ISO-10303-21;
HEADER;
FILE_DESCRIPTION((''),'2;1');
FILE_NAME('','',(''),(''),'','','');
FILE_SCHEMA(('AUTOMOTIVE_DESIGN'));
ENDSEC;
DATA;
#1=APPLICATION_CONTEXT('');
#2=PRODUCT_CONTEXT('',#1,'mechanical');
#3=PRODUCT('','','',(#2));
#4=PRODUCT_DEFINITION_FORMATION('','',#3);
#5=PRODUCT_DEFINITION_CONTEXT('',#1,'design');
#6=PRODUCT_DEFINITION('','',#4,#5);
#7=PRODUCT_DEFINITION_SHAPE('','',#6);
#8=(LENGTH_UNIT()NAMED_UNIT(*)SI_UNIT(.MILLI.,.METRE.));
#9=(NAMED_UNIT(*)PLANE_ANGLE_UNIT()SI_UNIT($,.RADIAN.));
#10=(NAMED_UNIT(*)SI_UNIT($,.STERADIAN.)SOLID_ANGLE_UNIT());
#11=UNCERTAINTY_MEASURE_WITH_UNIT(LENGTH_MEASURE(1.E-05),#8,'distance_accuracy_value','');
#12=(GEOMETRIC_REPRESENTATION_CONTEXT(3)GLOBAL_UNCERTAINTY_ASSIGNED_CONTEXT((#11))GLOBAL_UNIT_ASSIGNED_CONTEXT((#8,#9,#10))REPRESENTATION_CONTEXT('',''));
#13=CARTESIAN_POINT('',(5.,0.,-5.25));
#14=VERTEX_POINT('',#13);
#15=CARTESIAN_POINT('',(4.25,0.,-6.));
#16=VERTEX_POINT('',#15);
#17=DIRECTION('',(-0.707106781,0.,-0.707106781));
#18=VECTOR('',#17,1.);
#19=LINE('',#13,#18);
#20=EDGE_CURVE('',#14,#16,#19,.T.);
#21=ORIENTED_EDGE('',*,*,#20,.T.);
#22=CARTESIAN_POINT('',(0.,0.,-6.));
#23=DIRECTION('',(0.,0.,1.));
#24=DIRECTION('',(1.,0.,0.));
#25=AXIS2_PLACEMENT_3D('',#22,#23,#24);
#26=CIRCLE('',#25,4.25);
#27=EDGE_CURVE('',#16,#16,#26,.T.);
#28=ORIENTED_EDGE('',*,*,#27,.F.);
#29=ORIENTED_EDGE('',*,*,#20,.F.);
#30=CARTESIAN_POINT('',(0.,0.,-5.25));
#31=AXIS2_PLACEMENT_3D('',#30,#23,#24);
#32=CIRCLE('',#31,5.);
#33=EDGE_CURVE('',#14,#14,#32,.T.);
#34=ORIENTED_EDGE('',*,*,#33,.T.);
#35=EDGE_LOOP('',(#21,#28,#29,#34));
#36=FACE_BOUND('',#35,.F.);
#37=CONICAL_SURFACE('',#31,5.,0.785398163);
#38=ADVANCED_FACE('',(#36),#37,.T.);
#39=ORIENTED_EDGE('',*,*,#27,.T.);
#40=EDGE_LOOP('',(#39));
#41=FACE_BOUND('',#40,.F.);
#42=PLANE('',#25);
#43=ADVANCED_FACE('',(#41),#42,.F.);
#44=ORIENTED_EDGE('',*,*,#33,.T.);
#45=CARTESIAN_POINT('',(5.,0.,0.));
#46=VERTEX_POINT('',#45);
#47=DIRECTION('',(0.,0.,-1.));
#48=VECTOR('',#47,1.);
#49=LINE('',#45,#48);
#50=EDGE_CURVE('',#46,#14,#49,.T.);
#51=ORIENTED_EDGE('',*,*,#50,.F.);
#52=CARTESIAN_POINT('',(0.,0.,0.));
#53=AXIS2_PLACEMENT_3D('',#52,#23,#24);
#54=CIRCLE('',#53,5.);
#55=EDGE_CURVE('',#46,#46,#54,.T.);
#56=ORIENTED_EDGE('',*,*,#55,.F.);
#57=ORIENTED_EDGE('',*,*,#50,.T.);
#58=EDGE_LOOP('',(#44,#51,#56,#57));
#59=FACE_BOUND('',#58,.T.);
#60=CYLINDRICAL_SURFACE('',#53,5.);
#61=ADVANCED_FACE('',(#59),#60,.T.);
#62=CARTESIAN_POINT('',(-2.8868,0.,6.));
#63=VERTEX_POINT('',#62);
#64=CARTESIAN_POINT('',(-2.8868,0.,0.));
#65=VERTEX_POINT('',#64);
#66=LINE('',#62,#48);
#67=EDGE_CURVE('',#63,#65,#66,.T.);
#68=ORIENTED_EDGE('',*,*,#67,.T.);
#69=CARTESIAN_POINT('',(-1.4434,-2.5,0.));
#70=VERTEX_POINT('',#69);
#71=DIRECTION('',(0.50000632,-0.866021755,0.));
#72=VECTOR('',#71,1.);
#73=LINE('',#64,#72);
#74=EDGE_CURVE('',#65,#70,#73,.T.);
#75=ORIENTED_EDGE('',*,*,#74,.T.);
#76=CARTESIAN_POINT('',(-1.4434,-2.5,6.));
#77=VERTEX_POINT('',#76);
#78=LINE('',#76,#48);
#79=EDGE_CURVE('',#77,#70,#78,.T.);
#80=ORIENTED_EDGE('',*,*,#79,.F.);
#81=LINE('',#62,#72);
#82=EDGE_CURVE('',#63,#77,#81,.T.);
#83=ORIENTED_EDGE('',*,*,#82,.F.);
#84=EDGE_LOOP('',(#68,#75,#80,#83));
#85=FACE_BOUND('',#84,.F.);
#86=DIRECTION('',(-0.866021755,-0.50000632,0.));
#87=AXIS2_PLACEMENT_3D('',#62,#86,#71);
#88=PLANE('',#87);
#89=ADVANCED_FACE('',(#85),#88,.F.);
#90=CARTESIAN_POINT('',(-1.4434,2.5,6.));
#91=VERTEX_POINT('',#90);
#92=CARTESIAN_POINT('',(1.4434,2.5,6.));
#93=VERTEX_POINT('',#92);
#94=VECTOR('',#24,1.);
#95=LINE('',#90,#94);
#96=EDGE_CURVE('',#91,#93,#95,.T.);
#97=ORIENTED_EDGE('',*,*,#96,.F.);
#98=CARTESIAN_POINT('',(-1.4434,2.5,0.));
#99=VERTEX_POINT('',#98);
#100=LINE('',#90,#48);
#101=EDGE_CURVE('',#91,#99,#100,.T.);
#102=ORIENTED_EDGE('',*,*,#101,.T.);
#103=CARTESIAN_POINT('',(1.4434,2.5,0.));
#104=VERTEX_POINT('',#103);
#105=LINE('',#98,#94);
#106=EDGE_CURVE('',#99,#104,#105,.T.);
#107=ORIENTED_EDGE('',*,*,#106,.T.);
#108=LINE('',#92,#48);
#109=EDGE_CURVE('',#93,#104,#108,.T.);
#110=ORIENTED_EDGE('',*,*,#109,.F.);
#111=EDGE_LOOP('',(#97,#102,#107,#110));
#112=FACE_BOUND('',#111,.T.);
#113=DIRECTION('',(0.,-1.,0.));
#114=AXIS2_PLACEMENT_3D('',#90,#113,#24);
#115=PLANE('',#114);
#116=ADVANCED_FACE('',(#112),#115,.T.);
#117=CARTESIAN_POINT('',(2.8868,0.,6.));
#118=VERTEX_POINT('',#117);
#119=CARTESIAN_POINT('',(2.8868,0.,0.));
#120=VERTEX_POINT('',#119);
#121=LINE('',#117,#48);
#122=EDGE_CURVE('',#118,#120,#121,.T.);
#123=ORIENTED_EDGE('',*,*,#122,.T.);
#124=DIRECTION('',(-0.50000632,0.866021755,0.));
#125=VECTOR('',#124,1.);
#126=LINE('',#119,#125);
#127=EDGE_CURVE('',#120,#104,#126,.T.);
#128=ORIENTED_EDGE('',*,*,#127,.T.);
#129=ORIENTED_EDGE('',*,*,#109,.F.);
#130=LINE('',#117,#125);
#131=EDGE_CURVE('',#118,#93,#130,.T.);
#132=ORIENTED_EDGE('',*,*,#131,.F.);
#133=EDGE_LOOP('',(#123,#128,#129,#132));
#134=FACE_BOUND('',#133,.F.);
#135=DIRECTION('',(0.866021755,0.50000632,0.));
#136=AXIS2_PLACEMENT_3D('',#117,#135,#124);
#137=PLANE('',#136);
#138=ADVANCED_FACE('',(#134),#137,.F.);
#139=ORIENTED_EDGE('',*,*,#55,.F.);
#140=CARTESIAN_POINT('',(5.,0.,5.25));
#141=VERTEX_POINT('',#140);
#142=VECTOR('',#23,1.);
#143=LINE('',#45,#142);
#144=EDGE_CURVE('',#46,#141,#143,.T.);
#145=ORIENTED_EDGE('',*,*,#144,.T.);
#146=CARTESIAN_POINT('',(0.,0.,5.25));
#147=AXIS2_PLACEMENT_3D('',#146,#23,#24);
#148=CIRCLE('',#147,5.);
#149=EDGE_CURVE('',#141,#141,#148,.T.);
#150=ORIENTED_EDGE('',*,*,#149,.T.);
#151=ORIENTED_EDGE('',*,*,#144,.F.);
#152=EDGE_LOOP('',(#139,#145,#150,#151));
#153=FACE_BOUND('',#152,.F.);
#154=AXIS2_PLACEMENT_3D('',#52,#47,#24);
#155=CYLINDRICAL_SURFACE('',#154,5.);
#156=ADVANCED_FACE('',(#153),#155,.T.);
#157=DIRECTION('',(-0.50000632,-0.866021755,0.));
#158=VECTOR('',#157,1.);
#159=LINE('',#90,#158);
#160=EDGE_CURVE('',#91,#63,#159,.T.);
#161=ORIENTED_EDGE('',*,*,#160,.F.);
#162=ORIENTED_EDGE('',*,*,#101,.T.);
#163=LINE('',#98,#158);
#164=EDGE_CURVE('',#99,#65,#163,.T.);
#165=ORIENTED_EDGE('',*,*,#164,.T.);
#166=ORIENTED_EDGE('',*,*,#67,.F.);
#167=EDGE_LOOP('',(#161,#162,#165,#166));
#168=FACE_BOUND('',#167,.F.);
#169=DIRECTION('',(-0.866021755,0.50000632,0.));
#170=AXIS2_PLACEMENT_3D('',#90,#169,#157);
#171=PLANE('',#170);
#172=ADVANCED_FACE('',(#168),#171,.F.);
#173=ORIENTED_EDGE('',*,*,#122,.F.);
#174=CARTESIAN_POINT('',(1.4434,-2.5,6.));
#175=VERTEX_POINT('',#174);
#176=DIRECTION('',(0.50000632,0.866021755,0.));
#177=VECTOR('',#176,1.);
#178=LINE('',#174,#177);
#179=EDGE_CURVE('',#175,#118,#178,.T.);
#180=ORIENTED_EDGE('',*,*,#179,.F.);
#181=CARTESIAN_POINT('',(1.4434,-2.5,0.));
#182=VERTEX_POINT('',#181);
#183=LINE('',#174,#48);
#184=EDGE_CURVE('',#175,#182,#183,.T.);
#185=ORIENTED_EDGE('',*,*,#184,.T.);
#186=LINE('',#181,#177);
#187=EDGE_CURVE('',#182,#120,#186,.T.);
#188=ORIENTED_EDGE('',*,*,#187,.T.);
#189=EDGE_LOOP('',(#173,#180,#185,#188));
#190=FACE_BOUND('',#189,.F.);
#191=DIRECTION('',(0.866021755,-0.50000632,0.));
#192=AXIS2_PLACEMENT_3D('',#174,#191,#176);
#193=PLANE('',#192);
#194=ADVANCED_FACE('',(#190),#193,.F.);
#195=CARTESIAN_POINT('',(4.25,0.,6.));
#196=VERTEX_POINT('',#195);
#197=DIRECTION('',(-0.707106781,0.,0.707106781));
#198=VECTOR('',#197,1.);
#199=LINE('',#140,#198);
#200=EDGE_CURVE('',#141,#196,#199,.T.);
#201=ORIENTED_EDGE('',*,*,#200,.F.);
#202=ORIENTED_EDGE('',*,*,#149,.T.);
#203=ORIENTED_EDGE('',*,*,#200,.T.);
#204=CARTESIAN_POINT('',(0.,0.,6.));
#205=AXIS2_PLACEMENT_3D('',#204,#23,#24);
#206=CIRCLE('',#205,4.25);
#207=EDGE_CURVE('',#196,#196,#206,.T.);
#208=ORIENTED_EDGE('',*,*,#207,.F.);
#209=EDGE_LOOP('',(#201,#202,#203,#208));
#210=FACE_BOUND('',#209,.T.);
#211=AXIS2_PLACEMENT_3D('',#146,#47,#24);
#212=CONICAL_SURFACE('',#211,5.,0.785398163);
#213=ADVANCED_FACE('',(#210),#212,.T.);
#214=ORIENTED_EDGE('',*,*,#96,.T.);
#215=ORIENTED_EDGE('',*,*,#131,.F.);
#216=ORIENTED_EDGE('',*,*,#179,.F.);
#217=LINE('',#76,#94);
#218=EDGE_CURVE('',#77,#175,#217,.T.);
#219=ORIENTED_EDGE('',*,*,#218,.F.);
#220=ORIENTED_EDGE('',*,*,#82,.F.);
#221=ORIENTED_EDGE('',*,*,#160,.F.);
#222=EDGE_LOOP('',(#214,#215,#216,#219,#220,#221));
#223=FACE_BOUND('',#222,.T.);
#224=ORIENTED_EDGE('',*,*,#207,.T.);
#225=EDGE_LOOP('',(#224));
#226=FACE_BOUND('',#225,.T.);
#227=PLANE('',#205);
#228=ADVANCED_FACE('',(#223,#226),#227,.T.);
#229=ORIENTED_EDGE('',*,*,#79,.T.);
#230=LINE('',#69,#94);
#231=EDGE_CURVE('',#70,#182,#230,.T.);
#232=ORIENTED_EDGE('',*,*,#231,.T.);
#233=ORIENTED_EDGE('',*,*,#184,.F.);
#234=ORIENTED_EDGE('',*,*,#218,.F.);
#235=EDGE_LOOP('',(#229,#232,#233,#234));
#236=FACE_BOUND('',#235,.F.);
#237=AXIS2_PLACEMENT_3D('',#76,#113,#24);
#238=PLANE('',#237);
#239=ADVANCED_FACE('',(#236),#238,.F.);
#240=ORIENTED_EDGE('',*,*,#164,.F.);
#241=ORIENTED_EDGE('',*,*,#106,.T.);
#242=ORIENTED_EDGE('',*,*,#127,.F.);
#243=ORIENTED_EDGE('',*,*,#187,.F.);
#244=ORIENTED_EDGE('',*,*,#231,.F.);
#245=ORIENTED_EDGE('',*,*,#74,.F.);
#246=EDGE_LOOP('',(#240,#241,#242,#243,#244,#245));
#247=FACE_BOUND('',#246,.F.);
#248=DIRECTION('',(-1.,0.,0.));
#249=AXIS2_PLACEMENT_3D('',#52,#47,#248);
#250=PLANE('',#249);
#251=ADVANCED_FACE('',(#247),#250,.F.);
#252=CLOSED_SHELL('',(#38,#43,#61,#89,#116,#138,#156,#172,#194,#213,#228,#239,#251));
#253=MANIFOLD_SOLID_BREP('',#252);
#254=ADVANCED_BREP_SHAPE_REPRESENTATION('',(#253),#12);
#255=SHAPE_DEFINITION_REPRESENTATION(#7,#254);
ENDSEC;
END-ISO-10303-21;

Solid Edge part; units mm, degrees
sketch "Sketch1" plane through (0, 0, 0) normal (0, 0, 1) x (1, 0, 0)
  circle A0 centre (0, 0) radius 5
  dimension "D1" = 10
extrude "Protrusion1" add sketch "Sketch1" along normal mid plane 12
chamfer "Chamfer1" distance 0.75 angle 45 2 edges at (-5, 0, -6) (-5, 0, 6)
sketch "Sketch2" plane through (0, 0, 6) normal (0, 0, 1) x (1, 0, 0)
  line L0 (-1.4434, 2.5) -> (1.4434, 2.5)
  line L1 (2.8868, 0) -> (1.4434, 2.5)
  line L2 (1.4434, -2.5) -> (2.8868, 0)
  line L3 (-1.4434, -2.5) -> (1.4434, -2.5)
  line L4 (-2.8868, 0) -> (-1.4434, -2.5)
  line L5 (-1.4434, 2.5) -> (-2.8868, 0)
  dimension "D1" = 5
extrude "Cutout1" cut sketch "Sketch2" against normal blind 6
properties part number "107732"
